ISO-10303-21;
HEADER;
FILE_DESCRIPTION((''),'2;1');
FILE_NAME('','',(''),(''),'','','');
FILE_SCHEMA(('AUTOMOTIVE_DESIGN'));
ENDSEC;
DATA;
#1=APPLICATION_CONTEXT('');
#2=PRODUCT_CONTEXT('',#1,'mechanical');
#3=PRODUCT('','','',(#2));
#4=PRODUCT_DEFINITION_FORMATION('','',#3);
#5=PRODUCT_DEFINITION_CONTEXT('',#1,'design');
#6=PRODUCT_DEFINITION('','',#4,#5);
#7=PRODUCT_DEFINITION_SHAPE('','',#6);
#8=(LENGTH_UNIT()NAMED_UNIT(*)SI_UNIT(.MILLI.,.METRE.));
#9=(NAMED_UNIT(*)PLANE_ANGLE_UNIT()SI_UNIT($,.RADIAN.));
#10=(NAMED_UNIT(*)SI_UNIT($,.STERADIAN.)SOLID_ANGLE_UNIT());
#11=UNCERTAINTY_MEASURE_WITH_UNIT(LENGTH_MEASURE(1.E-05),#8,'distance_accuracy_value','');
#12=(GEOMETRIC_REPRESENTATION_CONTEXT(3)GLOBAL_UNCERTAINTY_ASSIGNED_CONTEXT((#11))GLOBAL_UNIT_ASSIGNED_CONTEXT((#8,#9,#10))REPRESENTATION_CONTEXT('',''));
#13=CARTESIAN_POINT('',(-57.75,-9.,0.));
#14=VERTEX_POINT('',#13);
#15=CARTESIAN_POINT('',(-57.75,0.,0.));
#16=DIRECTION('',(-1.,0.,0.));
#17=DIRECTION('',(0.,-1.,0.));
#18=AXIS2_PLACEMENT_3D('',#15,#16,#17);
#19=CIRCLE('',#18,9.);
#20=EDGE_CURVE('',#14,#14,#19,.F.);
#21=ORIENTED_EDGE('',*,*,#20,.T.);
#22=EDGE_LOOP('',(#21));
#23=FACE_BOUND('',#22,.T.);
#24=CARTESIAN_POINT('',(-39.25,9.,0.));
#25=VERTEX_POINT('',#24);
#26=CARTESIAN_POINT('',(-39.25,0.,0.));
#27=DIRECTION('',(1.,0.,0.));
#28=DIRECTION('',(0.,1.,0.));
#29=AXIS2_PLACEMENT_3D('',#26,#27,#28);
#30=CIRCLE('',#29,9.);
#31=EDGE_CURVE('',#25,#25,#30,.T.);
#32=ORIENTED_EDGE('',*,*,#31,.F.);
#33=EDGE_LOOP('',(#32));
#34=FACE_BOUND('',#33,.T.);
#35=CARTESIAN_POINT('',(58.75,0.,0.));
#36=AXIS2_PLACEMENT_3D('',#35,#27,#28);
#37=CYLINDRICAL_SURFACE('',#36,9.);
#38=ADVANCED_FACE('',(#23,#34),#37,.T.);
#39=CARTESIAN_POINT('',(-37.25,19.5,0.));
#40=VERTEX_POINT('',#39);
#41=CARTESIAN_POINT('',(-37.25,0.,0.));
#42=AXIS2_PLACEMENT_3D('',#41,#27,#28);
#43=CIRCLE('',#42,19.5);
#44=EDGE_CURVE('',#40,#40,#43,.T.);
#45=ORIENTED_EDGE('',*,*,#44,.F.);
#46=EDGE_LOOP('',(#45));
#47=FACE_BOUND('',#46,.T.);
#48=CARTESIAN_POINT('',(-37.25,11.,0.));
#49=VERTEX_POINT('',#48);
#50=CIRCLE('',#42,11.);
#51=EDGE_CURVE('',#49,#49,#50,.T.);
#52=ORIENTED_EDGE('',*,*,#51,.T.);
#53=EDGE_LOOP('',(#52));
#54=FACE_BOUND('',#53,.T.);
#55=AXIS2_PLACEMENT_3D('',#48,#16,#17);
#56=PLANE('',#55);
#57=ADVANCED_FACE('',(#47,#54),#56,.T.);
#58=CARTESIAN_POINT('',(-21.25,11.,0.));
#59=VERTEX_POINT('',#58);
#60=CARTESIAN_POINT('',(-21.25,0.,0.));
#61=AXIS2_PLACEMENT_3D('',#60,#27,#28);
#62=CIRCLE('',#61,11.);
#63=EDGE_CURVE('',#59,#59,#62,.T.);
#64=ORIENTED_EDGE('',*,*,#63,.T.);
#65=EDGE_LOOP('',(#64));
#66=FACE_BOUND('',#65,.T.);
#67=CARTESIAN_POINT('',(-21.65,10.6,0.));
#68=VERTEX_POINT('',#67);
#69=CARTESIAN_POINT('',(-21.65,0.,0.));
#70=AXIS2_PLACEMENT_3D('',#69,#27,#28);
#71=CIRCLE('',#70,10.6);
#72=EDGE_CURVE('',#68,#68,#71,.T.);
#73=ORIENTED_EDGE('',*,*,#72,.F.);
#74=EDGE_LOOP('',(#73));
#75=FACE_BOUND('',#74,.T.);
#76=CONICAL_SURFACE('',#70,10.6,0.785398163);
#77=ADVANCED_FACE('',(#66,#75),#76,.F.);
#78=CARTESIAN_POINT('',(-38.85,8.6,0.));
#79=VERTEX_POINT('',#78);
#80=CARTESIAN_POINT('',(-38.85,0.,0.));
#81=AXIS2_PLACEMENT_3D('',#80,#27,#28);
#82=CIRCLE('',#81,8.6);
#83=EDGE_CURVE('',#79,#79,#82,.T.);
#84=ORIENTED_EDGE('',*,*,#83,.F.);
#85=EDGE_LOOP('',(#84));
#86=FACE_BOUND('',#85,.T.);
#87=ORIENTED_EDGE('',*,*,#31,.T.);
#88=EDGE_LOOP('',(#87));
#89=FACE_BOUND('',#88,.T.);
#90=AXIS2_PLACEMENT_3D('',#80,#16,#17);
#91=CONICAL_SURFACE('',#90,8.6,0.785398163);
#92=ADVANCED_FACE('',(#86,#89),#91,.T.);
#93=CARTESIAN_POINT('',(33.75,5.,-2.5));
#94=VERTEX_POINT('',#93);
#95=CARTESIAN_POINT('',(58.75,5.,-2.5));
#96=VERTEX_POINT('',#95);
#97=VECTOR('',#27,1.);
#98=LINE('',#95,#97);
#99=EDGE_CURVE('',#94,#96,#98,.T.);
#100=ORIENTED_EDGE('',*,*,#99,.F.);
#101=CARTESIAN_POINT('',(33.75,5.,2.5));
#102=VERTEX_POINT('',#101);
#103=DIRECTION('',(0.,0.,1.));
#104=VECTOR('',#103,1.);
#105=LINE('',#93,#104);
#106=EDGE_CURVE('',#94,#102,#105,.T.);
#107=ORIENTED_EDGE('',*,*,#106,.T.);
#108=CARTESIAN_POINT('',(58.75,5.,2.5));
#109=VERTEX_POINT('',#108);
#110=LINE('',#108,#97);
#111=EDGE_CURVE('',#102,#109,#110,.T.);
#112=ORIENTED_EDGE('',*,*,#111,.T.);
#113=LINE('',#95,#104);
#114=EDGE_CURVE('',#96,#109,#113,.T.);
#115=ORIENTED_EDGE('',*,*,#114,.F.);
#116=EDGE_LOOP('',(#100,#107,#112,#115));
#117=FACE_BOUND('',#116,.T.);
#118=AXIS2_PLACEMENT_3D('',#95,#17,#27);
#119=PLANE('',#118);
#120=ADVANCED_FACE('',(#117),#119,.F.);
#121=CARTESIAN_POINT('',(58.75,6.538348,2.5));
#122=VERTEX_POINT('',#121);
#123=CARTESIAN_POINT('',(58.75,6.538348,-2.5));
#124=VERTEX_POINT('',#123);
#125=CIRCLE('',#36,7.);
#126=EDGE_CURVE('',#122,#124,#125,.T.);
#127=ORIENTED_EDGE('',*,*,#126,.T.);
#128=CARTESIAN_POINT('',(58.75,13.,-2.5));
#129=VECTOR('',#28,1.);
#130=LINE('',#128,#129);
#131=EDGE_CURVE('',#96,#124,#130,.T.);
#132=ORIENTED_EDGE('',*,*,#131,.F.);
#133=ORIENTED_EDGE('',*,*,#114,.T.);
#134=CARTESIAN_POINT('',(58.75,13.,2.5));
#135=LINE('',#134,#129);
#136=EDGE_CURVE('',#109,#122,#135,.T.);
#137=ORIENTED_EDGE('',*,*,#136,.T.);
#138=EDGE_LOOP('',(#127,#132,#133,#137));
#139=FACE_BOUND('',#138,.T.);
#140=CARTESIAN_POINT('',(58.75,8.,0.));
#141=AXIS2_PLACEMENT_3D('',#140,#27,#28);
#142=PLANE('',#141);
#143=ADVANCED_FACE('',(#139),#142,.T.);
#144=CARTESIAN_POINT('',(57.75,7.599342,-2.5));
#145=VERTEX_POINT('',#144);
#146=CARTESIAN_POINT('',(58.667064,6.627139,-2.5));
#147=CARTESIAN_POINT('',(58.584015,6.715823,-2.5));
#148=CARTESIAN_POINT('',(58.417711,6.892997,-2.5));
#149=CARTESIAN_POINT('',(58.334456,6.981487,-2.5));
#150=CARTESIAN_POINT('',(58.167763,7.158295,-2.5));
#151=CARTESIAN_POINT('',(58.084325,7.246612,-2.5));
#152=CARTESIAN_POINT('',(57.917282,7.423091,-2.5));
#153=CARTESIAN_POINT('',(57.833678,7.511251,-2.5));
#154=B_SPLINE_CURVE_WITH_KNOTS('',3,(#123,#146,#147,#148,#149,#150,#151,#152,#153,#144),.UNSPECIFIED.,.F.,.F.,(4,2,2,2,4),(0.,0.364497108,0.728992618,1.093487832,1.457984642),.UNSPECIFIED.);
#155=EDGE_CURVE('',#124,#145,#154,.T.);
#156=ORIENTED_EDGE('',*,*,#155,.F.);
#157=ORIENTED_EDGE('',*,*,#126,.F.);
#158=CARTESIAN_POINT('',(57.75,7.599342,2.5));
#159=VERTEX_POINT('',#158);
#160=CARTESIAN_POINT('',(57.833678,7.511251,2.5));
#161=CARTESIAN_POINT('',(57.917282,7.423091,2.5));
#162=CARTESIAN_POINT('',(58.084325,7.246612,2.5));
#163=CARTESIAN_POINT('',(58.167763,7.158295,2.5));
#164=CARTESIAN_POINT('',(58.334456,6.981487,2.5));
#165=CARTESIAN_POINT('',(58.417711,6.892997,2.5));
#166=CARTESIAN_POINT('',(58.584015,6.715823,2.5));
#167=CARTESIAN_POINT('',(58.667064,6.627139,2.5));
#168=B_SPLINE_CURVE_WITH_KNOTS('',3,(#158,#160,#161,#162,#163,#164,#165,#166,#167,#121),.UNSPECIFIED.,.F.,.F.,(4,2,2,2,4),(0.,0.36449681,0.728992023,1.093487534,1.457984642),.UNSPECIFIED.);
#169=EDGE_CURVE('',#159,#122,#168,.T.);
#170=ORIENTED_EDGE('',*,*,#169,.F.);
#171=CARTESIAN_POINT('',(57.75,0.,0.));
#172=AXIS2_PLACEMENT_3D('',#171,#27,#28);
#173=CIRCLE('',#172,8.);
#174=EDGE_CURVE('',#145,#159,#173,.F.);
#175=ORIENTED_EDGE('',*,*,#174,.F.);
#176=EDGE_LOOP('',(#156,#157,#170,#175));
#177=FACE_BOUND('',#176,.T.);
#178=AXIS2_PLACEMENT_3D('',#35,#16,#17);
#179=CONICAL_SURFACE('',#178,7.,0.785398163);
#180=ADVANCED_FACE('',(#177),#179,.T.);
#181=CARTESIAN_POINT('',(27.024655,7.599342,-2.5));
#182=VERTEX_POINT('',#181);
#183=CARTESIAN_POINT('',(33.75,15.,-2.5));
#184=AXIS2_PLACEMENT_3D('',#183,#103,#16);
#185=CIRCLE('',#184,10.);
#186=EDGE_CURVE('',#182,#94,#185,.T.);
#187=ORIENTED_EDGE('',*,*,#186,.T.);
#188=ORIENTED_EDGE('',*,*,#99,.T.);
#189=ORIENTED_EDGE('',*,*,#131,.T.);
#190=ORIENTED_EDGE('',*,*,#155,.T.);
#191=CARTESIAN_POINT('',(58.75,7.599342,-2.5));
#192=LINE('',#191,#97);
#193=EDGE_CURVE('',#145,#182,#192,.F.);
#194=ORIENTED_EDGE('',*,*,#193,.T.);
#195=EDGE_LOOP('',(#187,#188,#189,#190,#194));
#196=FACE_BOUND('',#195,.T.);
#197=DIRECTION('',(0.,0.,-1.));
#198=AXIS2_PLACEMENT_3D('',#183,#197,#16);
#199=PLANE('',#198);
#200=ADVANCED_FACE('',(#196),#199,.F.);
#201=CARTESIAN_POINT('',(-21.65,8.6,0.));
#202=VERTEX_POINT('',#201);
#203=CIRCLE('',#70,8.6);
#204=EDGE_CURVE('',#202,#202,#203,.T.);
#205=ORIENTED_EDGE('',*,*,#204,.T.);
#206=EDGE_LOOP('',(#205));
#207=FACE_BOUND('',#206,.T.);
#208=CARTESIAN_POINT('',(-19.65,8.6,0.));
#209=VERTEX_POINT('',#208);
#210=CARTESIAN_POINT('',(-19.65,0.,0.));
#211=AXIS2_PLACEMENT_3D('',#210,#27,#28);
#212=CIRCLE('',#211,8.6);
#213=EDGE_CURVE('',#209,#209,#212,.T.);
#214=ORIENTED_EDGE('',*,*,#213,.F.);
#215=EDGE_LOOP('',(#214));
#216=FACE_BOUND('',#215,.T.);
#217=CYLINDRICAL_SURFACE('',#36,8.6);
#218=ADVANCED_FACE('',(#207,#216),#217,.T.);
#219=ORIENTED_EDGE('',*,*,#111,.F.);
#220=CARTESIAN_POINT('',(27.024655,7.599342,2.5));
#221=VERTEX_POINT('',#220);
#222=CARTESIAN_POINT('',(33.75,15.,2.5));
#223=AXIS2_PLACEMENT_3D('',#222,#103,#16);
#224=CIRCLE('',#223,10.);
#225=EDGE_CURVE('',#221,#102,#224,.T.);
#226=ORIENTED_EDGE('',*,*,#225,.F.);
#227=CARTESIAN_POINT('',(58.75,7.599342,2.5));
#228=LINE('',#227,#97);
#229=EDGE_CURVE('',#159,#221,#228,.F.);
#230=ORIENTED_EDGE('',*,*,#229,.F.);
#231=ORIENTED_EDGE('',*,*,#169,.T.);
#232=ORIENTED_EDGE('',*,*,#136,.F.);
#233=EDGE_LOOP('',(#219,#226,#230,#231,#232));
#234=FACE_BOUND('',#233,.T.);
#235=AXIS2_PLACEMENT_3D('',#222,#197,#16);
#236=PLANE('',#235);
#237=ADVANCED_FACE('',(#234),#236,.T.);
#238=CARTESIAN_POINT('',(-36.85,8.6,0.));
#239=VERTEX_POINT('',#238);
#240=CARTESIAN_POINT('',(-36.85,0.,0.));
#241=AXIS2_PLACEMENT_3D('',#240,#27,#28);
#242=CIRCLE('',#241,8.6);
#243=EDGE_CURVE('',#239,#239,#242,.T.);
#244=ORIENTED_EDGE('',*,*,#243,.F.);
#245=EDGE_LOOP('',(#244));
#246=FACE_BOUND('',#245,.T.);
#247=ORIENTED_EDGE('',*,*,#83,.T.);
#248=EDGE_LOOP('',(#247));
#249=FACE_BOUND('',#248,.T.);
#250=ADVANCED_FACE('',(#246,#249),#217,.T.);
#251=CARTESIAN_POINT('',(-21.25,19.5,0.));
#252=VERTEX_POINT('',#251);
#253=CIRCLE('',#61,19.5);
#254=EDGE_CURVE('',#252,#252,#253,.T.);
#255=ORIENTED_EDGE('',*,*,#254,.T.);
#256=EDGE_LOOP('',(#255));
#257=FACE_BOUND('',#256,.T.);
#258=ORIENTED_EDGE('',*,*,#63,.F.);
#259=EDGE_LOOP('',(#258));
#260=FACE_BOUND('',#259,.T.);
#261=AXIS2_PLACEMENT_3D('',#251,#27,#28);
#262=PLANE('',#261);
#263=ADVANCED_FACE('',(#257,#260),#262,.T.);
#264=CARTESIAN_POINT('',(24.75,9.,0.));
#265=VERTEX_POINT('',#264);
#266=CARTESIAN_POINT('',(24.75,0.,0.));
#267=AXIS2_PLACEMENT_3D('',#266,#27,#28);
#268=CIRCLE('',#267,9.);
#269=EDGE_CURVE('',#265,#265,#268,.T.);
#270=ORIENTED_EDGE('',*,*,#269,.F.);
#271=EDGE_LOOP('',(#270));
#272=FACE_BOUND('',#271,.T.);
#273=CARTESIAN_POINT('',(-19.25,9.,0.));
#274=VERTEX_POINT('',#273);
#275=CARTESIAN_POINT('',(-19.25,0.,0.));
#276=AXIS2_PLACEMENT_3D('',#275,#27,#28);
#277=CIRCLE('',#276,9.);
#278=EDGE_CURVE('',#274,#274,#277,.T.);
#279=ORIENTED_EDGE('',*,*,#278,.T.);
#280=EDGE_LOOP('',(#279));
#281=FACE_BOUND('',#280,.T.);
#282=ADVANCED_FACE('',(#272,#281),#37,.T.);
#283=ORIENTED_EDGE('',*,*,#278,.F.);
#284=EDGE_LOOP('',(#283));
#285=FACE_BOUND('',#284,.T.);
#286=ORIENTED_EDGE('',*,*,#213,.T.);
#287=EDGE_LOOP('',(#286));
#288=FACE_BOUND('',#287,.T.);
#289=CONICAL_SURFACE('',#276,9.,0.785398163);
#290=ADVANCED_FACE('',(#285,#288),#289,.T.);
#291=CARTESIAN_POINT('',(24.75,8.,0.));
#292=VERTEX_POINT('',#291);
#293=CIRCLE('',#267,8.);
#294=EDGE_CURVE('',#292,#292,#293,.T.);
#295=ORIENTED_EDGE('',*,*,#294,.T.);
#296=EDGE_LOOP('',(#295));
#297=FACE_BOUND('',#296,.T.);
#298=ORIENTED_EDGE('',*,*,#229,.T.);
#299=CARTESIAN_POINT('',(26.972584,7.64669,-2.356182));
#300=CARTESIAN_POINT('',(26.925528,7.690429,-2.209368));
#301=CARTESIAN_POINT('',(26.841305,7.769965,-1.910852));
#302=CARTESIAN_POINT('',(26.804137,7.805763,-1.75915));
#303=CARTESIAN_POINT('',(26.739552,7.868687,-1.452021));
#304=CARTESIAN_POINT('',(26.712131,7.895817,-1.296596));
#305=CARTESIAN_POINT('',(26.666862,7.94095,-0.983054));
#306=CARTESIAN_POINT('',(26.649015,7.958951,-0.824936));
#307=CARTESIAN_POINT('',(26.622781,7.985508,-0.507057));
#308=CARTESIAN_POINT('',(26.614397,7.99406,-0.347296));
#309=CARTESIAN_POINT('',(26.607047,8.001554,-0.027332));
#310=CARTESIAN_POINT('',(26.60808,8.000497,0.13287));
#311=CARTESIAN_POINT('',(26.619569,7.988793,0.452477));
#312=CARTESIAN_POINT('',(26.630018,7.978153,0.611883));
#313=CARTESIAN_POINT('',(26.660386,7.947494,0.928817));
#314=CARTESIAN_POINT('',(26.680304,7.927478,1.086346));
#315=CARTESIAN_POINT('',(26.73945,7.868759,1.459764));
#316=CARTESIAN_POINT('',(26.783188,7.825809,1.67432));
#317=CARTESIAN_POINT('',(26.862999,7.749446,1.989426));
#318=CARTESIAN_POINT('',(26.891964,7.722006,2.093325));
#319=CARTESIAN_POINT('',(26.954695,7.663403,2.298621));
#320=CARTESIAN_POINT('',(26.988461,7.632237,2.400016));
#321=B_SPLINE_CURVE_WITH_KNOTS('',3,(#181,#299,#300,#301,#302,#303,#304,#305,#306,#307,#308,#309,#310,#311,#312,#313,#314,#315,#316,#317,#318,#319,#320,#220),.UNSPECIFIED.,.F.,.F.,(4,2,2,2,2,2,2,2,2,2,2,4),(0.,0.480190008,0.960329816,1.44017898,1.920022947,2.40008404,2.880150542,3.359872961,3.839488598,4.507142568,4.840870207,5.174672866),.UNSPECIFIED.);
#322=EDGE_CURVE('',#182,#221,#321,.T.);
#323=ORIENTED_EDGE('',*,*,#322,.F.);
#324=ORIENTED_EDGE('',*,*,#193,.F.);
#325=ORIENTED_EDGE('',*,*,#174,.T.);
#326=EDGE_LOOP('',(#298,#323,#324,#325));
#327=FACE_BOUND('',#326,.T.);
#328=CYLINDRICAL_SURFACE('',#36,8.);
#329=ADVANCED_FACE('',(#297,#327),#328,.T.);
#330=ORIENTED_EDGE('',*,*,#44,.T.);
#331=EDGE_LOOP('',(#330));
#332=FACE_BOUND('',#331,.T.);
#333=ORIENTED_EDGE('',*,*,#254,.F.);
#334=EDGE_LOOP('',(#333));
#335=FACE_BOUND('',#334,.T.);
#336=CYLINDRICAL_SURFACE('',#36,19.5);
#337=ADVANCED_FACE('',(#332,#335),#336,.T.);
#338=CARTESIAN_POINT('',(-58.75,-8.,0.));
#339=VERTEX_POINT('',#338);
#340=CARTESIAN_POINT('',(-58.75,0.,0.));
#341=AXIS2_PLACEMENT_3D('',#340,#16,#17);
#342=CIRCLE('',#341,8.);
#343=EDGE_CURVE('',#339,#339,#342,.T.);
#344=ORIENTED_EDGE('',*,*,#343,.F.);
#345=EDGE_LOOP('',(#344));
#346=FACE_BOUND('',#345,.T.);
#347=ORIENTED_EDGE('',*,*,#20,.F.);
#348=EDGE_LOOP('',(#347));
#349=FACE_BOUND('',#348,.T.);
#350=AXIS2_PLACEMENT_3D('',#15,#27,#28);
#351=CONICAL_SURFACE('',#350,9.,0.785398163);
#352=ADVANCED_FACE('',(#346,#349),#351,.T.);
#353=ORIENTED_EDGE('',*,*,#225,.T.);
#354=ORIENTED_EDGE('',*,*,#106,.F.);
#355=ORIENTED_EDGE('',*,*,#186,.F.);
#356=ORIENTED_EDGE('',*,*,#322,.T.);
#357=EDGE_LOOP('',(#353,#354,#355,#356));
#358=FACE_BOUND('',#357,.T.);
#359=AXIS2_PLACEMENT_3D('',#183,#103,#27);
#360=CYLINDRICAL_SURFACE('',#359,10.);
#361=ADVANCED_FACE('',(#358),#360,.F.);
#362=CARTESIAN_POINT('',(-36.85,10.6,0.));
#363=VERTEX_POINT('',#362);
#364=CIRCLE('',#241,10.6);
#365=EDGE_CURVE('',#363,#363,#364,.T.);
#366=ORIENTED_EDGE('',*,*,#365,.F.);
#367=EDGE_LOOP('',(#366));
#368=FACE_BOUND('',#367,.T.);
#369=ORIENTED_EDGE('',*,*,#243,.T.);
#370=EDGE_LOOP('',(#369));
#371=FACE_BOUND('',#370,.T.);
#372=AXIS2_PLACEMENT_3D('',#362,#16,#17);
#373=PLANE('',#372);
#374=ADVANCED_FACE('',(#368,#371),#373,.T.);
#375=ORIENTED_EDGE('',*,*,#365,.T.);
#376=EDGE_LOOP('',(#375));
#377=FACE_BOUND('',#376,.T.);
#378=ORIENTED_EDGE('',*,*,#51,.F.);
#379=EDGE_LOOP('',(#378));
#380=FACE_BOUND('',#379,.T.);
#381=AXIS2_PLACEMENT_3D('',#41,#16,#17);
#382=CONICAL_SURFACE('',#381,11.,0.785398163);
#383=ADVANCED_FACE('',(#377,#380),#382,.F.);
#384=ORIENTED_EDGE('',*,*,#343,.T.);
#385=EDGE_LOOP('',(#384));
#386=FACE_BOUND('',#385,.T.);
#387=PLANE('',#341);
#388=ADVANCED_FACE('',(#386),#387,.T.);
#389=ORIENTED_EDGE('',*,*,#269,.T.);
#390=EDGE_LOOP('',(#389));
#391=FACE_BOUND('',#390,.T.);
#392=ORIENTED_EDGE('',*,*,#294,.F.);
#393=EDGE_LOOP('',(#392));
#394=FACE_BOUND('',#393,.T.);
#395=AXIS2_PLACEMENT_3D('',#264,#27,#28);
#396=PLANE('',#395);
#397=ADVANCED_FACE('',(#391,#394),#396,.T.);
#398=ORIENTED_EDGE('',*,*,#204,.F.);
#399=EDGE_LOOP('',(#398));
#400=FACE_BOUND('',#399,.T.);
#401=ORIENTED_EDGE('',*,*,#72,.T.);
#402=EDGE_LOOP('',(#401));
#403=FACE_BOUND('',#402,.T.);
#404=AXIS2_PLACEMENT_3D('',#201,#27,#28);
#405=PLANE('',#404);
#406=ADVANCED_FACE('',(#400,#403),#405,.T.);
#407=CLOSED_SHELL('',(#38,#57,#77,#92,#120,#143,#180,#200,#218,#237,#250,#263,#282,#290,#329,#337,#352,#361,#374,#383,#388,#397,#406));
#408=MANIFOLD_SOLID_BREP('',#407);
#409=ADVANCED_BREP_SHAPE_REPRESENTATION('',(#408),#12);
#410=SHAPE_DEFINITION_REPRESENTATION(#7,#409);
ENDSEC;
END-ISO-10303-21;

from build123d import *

# Parameters (mm, degrees)
CHAMFER_1_SIZE      = 1
CUT_EXTRUDE_1_DEPTH = 2.5
CHAMFER_2_SIZE      = 1


with BuildPart() as part:
    # 草图1 → 旋转1 (revolve)
    with BuildSketch(Plane.XY):
        Polygon((-58.75, 0), (-58.75, 9), (-39.25, 9), (-38.85, 8.6), (-36.85, 8.6), (-36.85, 10.6), (-37.25, 11), (-37.25, 19.5), (-21.25, 19.5), (-21.25, 11), (-21.65, 10.6), (-21.65, 8.6), (-19.65, 8.6), (-19.25, 9), (24.75, 9), (24.75, 8), (58.75, 8), (58.75, 0), align=None)
    revolve(axis=Axis((58.75, 0, 0), (-1, 0, 0)))

    # 倒角1
    chamfer_1_edges = [part.edges().sort_by_distance(p)[0] for p in [
        (-58.75, -9, 0),
    ]]
    chamfer(chamfer_1_edges, length=CHAMFER_1_SIZE)

    # 草图3 → 切除-拉伸1 (cut, symmetric)
    with BuildSketch(Plane.XY):
        with BuildLine():
            Line((58.75, 5), (33.75, 5))
            ThreePointArc((33.75, 5), (29.877016654, 5.780455543), (26.608571571, 8))
            Line((26.608571571, 8), (26.608571571, 13))
            Line((26.608571571, 13), (58.75, 13))
            Line((58.75, 13), (58.75, 5))
        make_face()
    extrude(amount=CUT_EXTRUDE_1_DEPTH, both=True, mode=Mode.SUBTRACT)

    # 倒角2
    chamfer_2_edges = [part.edges().sort_by_distance(p)[0] for p in [
        (58.75, -8, 0),
    ]]
    chamfer(chamfer_2_edges, length=CHAMFER_2_SIZE)


solid = part.part
